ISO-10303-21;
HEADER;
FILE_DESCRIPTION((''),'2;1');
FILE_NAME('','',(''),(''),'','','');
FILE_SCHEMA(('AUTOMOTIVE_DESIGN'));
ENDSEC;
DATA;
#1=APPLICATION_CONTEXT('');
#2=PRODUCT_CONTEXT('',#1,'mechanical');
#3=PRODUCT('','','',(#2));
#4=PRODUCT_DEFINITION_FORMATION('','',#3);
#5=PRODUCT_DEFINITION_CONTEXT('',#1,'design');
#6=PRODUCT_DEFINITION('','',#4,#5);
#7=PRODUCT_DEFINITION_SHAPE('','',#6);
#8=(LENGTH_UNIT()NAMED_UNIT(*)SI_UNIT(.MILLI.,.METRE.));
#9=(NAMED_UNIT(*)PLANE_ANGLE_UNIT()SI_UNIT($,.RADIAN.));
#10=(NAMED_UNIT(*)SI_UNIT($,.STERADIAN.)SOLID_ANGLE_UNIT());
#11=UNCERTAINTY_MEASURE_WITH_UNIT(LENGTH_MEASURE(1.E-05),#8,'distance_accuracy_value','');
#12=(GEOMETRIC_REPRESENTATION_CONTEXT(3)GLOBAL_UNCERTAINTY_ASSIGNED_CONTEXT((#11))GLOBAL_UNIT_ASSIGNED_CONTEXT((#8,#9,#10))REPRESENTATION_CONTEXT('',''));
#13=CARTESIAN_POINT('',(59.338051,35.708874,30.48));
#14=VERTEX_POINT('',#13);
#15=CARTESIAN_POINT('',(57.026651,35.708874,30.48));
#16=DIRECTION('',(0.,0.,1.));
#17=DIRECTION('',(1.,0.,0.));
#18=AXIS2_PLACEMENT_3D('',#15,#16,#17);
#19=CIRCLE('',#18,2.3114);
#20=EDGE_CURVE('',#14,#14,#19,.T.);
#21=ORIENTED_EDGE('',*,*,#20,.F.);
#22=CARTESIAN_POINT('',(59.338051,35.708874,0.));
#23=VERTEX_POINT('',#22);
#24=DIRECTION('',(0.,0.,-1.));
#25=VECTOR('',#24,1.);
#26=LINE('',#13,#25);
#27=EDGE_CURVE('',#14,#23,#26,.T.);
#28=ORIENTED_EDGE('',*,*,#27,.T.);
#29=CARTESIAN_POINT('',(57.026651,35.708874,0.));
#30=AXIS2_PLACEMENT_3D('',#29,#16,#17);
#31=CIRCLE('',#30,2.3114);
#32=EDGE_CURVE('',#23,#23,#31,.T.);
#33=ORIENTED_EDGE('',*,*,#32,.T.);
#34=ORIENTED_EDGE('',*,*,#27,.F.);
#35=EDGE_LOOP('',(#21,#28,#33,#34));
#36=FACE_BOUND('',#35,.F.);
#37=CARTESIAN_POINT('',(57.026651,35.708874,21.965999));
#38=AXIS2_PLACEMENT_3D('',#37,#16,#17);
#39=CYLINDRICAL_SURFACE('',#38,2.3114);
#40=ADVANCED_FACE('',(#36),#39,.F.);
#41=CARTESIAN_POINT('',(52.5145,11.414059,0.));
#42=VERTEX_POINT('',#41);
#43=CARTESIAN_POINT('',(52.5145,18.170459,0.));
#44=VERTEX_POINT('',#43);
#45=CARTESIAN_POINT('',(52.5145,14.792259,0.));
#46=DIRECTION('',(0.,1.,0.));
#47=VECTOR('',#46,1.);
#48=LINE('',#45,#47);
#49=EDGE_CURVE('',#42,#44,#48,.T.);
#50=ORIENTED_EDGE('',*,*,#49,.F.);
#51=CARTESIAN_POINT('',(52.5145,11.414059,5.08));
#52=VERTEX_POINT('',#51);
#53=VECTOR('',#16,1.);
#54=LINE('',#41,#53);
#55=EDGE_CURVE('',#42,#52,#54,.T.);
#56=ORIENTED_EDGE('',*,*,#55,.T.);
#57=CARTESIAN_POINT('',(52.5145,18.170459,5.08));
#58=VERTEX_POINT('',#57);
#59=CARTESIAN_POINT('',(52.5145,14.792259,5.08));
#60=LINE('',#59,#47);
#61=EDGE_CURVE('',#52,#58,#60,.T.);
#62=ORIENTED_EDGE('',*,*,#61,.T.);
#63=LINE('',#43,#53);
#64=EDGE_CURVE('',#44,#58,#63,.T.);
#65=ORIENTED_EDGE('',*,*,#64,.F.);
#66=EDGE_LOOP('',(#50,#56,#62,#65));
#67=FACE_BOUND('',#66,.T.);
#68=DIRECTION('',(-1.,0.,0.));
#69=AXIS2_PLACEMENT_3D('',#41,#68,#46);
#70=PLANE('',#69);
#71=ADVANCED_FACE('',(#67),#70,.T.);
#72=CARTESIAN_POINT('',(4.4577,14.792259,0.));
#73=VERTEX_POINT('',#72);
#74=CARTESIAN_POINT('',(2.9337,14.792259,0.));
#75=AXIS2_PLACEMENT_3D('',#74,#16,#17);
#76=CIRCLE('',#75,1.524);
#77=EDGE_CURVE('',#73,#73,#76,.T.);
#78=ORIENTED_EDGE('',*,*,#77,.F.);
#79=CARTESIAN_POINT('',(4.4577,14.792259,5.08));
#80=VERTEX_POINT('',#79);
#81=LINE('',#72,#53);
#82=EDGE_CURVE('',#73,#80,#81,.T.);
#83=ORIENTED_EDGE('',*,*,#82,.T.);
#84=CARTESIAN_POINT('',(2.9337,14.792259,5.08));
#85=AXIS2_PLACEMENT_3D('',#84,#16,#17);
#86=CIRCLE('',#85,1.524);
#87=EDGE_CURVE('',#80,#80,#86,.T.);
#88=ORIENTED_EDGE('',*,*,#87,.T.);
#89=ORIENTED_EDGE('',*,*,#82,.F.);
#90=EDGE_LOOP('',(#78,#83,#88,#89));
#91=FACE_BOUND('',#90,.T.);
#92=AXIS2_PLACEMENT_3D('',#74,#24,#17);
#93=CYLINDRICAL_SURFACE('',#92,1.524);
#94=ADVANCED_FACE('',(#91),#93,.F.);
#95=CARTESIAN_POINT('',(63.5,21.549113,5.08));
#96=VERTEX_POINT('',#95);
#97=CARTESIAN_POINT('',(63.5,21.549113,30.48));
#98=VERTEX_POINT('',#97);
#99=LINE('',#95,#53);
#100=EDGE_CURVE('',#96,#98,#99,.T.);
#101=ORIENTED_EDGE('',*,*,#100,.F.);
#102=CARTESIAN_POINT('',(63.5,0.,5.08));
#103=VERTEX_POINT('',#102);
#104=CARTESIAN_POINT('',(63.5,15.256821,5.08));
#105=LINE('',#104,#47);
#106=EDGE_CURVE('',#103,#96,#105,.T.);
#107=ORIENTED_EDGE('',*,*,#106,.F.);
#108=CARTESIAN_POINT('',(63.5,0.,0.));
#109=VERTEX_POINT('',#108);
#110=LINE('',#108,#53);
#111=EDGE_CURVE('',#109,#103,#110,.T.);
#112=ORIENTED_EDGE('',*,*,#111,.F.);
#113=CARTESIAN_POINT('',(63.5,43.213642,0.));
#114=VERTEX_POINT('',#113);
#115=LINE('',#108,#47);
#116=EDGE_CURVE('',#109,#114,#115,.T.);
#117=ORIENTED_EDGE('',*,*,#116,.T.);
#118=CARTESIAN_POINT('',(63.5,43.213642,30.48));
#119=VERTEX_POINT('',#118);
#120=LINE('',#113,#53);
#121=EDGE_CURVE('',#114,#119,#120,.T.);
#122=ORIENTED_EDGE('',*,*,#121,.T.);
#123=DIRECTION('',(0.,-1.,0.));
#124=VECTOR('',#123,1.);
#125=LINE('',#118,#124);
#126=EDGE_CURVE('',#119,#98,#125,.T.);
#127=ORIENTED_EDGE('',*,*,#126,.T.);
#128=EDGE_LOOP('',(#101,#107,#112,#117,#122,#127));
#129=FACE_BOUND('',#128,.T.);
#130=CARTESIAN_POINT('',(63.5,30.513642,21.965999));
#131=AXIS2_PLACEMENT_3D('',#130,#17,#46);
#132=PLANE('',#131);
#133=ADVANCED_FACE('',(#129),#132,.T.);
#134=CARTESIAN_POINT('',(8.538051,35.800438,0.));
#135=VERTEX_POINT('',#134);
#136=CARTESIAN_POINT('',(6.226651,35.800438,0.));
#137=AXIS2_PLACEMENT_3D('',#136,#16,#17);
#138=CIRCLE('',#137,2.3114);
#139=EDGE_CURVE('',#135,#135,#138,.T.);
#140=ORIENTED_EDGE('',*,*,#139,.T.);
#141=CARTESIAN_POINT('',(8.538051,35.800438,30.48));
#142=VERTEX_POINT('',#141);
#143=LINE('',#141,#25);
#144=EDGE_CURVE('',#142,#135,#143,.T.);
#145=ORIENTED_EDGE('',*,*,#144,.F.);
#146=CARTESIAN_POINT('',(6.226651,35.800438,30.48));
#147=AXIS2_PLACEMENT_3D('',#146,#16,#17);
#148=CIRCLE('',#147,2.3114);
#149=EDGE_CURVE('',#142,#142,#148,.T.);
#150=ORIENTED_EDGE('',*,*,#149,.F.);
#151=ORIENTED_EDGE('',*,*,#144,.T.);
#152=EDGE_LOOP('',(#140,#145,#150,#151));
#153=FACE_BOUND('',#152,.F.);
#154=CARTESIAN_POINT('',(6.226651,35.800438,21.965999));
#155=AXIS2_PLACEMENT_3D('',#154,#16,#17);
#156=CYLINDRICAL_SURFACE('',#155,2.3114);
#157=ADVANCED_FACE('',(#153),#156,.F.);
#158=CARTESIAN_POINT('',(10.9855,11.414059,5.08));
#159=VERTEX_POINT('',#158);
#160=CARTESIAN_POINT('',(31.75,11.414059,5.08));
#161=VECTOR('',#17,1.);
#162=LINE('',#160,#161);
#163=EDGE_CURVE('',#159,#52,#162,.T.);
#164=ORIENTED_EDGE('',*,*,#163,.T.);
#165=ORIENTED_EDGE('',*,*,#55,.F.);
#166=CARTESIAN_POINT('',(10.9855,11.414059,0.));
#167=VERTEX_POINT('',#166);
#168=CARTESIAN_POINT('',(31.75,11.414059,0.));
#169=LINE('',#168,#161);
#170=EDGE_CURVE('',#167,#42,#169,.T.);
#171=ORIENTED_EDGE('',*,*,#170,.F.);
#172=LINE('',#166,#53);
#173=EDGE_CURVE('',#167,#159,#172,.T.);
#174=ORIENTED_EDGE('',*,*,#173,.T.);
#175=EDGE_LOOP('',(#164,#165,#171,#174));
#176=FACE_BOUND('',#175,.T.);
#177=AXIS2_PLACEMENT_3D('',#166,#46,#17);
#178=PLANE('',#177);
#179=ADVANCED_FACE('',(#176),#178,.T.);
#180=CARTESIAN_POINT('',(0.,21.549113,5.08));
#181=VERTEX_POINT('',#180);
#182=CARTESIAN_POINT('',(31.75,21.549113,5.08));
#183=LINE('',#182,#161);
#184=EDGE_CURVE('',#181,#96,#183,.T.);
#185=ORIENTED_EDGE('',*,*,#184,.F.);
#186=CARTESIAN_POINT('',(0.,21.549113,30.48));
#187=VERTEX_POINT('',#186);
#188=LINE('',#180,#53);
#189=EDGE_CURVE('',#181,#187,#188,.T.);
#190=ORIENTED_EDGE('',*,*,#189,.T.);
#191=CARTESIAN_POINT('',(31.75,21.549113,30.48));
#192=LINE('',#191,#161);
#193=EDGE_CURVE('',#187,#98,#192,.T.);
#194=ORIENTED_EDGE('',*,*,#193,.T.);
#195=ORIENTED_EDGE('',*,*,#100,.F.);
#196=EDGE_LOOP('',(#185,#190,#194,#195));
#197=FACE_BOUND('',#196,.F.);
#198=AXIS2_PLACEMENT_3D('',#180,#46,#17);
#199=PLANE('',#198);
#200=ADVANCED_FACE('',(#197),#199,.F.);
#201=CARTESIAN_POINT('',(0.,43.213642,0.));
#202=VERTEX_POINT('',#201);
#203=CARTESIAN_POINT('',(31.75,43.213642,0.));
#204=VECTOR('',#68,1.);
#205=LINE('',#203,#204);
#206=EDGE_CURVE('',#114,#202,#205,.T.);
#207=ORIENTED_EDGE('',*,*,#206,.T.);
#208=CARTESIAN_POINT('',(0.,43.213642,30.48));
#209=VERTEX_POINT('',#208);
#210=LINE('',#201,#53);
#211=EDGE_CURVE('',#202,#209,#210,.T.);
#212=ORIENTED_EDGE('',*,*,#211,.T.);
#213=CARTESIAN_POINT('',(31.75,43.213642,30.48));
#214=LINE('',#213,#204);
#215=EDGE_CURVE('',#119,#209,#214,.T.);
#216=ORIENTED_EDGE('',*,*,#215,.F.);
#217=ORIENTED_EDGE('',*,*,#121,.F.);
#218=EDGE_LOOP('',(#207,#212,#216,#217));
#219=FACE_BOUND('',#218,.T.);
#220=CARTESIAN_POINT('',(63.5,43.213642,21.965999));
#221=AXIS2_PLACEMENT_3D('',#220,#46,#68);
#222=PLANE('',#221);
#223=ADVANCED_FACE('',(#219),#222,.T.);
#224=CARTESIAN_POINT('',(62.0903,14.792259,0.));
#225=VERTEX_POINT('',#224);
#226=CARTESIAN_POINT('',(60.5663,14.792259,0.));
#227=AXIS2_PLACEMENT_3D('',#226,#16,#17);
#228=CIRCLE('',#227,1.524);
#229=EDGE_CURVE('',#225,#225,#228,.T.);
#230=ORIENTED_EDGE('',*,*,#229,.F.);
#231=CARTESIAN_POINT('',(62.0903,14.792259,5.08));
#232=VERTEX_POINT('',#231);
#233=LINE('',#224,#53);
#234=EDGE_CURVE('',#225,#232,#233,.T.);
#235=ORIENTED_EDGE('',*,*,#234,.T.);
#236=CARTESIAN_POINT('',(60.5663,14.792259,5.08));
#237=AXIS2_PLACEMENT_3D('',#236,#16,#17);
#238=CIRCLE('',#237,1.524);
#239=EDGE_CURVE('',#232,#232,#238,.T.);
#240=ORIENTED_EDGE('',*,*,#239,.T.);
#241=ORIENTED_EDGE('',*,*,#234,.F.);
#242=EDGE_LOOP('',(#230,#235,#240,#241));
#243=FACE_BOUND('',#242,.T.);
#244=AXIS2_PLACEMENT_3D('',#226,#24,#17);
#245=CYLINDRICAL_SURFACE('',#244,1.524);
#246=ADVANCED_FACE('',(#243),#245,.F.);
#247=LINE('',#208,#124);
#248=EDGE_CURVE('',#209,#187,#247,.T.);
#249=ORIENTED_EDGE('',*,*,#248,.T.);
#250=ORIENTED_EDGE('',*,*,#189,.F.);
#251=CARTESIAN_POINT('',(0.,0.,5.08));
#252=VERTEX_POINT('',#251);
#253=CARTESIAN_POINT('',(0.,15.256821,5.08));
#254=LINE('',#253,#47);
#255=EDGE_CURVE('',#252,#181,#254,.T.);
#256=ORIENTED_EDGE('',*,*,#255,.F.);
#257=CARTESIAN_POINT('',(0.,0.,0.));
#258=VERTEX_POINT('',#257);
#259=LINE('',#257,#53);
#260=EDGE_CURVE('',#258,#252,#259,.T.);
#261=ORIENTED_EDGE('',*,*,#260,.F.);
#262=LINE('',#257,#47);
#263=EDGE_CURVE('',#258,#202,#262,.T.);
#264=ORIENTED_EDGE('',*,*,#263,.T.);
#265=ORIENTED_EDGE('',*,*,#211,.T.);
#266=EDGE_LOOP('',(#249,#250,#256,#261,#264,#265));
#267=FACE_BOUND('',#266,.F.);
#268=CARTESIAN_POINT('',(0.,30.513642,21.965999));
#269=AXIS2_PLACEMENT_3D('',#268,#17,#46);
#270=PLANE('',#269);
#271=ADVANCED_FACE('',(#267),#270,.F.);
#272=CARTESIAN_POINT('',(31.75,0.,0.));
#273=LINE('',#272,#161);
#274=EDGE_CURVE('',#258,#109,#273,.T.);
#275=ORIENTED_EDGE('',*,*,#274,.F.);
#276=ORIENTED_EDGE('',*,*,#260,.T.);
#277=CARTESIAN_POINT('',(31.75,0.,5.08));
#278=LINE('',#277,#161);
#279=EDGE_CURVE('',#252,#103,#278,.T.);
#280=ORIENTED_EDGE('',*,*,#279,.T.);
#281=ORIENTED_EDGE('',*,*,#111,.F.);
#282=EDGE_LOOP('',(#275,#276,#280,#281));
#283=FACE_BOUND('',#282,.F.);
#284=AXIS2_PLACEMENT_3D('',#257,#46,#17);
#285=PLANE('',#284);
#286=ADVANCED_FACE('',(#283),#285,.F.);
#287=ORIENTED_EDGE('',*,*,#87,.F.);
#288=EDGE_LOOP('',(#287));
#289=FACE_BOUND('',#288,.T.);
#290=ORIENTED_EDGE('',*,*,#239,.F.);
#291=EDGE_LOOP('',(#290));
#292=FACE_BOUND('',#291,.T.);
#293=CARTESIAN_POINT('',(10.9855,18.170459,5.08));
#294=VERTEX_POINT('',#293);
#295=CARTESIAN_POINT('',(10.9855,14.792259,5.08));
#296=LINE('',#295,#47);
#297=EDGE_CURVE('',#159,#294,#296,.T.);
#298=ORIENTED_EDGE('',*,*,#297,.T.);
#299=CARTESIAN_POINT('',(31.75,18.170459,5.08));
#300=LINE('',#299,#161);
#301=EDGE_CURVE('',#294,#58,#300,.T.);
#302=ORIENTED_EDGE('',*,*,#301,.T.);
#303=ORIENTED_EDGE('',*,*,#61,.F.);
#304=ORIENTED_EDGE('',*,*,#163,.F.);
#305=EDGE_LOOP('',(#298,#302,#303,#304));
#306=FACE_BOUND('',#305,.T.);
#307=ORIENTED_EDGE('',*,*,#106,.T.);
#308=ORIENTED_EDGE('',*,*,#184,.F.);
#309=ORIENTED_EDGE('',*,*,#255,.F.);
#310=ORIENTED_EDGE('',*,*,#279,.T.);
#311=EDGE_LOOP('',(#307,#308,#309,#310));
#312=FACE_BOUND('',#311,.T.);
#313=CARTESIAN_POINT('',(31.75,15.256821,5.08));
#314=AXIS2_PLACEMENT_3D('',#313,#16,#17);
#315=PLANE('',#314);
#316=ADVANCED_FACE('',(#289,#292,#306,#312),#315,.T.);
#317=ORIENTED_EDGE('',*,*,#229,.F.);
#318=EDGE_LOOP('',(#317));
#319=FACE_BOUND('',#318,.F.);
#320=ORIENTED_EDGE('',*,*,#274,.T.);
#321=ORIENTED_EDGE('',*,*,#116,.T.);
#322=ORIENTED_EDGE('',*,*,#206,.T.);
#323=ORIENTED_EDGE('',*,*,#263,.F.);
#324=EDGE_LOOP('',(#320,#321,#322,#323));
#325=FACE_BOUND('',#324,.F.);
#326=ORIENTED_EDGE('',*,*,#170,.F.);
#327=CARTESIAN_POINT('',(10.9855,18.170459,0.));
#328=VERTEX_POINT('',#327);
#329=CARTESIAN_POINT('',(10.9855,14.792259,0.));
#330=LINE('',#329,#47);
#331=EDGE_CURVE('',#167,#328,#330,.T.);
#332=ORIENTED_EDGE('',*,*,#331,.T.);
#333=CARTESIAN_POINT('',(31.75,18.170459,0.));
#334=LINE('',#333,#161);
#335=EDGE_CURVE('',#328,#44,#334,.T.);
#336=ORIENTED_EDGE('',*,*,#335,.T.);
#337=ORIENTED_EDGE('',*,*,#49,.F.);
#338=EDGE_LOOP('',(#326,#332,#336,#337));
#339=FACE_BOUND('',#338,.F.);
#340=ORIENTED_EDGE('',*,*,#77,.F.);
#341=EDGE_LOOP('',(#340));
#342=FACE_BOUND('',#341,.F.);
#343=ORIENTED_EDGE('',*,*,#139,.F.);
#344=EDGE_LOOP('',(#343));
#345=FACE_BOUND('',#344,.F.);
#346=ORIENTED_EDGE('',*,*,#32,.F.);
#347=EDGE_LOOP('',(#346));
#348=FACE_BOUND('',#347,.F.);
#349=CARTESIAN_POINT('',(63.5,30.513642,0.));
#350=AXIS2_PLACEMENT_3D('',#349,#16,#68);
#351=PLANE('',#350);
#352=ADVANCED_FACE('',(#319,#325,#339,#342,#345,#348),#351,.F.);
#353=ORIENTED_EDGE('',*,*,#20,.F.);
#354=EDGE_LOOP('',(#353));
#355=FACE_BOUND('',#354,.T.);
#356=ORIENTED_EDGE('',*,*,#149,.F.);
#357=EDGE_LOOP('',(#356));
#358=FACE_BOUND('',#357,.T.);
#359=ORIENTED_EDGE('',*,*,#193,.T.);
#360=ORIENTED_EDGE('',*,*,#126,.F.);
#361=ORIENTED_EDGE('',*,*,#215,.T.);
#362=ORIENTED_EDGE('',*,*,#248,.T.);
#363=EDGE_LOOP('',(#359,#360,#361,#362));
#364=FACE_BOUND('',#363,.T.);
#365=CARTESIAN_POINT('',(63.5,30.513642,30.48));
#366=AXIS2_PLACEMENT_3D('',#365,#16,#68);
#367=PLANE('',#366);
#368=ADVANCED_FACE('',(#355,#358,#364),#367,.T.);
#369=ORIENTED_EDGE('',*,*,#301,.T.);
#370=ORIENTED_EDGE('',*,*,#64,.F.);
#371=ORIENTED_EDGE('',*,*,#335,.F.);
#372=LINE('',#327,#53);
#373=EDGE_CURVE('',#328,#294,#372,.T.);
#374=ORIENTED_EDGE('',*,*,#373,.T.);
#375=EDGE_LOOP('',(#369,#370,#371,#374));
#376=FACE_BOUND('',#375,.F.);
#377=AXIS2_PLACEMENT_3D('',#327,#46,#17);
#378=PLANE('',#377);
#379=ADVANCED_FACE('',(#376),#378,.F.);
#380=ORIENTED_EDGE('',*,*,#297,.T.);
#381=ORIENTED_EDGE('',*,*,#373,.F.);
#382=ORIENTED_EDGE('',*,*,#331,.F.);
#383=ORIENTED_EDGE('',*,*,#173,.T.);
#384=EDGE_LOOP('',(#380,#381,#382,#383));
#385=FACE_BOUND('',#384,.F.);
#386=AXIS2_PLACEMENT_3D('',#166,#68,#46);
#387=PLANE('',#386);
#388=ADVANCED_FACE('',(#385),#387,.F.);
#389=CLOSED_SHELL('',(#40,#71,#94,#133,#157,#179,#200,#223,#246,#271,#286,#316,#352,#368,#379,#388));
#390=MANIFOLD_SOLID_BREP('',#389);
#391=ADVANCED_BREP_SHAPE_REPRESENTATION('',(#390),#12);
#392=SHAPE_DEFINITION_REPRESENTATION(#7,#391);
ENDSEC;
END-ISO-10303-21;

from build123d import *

# Parameters (mm, degrees)
F0_W     = 63.5
F0_H     = 30.5136416812
F0_R     = 1.524
F0_W_2   = 41.529
F0_H_2   = 6.7564
F1_DEPTH = 5.08
F2_W     = 63.5
F2_H     = 8.9645285864
F3_DEPTH = 25.4
F4_W     = 63.5
F4_H     = 8.5140008438
F5_DEPTH = 12.7
F6_R     = 2.3114
F7_DEPTH = 25.4
F8_DEPTH = 21.9659991562


with BuildPart() as f1:
    # F0 (on Top) → F1 (new body)
    with BuildSketch(Plane.XY):
        with Locations((31.75, 15.2568208406)):
            Rectangle(F0_W, F0_H)
        with Locations((2.9337, 14.7922589307)):
            Circle(F0_R, mode=Mode.SUBTRACT)
        with Locations((31.75, 14.7922589307)):
            Rectangle(F0_W_2, F0_H_2, mode=Mode.SUBTRACT)
        with Locations((60.5663, 14.7922589307)):
            Circle(F0_R, mode=Mode.SUBTRACT)
    extrude(amount=F1_DEPTH)

    # F2 (on face) → F3 (join)
    with BuildSketch(Plane.XY.offset(5.08)):
        with Locations((31.75, 26.031377388)):
            Rectangle(F2_W, F2_H)
    extrude(amount=F3_DEPTH)

    # F4 (on face) → F5 (join)
    with BuildSketch(Plane(origin=(0, 30.5136416812, 0), x_dir=(-1, 0, 0), z_dir=(0, 1, 0))):
        with Locations((-31.75, 26.2229995781)):
            Rectangle(F4_W, F4_H)
    extrude(amount=F5_DEPTH)

    # F6 (on face) → F7 (cut)
    with BuildSketch(Plane.XY.offset(30.48)):
        with Locations((57.0266509049, 35.708874464)):
            Circle(F6_R)
        with Locations((6.2266509049, 35.8004383743)):
            Circle(F6_R)
    extrude(amount=-F7_DEPTH, mode=Mode.SUBTRACT)

    # F8 (add, through all): a face of the model
    f8_faces = [f1.faces().sort_by_distance(p)[0] for p in [
        (31.7553573875, 36.9118079348, 21.9659991562),
    ]]
    extrude(f8_faces, amount=F8_DEPTH)


solid = f1.part
